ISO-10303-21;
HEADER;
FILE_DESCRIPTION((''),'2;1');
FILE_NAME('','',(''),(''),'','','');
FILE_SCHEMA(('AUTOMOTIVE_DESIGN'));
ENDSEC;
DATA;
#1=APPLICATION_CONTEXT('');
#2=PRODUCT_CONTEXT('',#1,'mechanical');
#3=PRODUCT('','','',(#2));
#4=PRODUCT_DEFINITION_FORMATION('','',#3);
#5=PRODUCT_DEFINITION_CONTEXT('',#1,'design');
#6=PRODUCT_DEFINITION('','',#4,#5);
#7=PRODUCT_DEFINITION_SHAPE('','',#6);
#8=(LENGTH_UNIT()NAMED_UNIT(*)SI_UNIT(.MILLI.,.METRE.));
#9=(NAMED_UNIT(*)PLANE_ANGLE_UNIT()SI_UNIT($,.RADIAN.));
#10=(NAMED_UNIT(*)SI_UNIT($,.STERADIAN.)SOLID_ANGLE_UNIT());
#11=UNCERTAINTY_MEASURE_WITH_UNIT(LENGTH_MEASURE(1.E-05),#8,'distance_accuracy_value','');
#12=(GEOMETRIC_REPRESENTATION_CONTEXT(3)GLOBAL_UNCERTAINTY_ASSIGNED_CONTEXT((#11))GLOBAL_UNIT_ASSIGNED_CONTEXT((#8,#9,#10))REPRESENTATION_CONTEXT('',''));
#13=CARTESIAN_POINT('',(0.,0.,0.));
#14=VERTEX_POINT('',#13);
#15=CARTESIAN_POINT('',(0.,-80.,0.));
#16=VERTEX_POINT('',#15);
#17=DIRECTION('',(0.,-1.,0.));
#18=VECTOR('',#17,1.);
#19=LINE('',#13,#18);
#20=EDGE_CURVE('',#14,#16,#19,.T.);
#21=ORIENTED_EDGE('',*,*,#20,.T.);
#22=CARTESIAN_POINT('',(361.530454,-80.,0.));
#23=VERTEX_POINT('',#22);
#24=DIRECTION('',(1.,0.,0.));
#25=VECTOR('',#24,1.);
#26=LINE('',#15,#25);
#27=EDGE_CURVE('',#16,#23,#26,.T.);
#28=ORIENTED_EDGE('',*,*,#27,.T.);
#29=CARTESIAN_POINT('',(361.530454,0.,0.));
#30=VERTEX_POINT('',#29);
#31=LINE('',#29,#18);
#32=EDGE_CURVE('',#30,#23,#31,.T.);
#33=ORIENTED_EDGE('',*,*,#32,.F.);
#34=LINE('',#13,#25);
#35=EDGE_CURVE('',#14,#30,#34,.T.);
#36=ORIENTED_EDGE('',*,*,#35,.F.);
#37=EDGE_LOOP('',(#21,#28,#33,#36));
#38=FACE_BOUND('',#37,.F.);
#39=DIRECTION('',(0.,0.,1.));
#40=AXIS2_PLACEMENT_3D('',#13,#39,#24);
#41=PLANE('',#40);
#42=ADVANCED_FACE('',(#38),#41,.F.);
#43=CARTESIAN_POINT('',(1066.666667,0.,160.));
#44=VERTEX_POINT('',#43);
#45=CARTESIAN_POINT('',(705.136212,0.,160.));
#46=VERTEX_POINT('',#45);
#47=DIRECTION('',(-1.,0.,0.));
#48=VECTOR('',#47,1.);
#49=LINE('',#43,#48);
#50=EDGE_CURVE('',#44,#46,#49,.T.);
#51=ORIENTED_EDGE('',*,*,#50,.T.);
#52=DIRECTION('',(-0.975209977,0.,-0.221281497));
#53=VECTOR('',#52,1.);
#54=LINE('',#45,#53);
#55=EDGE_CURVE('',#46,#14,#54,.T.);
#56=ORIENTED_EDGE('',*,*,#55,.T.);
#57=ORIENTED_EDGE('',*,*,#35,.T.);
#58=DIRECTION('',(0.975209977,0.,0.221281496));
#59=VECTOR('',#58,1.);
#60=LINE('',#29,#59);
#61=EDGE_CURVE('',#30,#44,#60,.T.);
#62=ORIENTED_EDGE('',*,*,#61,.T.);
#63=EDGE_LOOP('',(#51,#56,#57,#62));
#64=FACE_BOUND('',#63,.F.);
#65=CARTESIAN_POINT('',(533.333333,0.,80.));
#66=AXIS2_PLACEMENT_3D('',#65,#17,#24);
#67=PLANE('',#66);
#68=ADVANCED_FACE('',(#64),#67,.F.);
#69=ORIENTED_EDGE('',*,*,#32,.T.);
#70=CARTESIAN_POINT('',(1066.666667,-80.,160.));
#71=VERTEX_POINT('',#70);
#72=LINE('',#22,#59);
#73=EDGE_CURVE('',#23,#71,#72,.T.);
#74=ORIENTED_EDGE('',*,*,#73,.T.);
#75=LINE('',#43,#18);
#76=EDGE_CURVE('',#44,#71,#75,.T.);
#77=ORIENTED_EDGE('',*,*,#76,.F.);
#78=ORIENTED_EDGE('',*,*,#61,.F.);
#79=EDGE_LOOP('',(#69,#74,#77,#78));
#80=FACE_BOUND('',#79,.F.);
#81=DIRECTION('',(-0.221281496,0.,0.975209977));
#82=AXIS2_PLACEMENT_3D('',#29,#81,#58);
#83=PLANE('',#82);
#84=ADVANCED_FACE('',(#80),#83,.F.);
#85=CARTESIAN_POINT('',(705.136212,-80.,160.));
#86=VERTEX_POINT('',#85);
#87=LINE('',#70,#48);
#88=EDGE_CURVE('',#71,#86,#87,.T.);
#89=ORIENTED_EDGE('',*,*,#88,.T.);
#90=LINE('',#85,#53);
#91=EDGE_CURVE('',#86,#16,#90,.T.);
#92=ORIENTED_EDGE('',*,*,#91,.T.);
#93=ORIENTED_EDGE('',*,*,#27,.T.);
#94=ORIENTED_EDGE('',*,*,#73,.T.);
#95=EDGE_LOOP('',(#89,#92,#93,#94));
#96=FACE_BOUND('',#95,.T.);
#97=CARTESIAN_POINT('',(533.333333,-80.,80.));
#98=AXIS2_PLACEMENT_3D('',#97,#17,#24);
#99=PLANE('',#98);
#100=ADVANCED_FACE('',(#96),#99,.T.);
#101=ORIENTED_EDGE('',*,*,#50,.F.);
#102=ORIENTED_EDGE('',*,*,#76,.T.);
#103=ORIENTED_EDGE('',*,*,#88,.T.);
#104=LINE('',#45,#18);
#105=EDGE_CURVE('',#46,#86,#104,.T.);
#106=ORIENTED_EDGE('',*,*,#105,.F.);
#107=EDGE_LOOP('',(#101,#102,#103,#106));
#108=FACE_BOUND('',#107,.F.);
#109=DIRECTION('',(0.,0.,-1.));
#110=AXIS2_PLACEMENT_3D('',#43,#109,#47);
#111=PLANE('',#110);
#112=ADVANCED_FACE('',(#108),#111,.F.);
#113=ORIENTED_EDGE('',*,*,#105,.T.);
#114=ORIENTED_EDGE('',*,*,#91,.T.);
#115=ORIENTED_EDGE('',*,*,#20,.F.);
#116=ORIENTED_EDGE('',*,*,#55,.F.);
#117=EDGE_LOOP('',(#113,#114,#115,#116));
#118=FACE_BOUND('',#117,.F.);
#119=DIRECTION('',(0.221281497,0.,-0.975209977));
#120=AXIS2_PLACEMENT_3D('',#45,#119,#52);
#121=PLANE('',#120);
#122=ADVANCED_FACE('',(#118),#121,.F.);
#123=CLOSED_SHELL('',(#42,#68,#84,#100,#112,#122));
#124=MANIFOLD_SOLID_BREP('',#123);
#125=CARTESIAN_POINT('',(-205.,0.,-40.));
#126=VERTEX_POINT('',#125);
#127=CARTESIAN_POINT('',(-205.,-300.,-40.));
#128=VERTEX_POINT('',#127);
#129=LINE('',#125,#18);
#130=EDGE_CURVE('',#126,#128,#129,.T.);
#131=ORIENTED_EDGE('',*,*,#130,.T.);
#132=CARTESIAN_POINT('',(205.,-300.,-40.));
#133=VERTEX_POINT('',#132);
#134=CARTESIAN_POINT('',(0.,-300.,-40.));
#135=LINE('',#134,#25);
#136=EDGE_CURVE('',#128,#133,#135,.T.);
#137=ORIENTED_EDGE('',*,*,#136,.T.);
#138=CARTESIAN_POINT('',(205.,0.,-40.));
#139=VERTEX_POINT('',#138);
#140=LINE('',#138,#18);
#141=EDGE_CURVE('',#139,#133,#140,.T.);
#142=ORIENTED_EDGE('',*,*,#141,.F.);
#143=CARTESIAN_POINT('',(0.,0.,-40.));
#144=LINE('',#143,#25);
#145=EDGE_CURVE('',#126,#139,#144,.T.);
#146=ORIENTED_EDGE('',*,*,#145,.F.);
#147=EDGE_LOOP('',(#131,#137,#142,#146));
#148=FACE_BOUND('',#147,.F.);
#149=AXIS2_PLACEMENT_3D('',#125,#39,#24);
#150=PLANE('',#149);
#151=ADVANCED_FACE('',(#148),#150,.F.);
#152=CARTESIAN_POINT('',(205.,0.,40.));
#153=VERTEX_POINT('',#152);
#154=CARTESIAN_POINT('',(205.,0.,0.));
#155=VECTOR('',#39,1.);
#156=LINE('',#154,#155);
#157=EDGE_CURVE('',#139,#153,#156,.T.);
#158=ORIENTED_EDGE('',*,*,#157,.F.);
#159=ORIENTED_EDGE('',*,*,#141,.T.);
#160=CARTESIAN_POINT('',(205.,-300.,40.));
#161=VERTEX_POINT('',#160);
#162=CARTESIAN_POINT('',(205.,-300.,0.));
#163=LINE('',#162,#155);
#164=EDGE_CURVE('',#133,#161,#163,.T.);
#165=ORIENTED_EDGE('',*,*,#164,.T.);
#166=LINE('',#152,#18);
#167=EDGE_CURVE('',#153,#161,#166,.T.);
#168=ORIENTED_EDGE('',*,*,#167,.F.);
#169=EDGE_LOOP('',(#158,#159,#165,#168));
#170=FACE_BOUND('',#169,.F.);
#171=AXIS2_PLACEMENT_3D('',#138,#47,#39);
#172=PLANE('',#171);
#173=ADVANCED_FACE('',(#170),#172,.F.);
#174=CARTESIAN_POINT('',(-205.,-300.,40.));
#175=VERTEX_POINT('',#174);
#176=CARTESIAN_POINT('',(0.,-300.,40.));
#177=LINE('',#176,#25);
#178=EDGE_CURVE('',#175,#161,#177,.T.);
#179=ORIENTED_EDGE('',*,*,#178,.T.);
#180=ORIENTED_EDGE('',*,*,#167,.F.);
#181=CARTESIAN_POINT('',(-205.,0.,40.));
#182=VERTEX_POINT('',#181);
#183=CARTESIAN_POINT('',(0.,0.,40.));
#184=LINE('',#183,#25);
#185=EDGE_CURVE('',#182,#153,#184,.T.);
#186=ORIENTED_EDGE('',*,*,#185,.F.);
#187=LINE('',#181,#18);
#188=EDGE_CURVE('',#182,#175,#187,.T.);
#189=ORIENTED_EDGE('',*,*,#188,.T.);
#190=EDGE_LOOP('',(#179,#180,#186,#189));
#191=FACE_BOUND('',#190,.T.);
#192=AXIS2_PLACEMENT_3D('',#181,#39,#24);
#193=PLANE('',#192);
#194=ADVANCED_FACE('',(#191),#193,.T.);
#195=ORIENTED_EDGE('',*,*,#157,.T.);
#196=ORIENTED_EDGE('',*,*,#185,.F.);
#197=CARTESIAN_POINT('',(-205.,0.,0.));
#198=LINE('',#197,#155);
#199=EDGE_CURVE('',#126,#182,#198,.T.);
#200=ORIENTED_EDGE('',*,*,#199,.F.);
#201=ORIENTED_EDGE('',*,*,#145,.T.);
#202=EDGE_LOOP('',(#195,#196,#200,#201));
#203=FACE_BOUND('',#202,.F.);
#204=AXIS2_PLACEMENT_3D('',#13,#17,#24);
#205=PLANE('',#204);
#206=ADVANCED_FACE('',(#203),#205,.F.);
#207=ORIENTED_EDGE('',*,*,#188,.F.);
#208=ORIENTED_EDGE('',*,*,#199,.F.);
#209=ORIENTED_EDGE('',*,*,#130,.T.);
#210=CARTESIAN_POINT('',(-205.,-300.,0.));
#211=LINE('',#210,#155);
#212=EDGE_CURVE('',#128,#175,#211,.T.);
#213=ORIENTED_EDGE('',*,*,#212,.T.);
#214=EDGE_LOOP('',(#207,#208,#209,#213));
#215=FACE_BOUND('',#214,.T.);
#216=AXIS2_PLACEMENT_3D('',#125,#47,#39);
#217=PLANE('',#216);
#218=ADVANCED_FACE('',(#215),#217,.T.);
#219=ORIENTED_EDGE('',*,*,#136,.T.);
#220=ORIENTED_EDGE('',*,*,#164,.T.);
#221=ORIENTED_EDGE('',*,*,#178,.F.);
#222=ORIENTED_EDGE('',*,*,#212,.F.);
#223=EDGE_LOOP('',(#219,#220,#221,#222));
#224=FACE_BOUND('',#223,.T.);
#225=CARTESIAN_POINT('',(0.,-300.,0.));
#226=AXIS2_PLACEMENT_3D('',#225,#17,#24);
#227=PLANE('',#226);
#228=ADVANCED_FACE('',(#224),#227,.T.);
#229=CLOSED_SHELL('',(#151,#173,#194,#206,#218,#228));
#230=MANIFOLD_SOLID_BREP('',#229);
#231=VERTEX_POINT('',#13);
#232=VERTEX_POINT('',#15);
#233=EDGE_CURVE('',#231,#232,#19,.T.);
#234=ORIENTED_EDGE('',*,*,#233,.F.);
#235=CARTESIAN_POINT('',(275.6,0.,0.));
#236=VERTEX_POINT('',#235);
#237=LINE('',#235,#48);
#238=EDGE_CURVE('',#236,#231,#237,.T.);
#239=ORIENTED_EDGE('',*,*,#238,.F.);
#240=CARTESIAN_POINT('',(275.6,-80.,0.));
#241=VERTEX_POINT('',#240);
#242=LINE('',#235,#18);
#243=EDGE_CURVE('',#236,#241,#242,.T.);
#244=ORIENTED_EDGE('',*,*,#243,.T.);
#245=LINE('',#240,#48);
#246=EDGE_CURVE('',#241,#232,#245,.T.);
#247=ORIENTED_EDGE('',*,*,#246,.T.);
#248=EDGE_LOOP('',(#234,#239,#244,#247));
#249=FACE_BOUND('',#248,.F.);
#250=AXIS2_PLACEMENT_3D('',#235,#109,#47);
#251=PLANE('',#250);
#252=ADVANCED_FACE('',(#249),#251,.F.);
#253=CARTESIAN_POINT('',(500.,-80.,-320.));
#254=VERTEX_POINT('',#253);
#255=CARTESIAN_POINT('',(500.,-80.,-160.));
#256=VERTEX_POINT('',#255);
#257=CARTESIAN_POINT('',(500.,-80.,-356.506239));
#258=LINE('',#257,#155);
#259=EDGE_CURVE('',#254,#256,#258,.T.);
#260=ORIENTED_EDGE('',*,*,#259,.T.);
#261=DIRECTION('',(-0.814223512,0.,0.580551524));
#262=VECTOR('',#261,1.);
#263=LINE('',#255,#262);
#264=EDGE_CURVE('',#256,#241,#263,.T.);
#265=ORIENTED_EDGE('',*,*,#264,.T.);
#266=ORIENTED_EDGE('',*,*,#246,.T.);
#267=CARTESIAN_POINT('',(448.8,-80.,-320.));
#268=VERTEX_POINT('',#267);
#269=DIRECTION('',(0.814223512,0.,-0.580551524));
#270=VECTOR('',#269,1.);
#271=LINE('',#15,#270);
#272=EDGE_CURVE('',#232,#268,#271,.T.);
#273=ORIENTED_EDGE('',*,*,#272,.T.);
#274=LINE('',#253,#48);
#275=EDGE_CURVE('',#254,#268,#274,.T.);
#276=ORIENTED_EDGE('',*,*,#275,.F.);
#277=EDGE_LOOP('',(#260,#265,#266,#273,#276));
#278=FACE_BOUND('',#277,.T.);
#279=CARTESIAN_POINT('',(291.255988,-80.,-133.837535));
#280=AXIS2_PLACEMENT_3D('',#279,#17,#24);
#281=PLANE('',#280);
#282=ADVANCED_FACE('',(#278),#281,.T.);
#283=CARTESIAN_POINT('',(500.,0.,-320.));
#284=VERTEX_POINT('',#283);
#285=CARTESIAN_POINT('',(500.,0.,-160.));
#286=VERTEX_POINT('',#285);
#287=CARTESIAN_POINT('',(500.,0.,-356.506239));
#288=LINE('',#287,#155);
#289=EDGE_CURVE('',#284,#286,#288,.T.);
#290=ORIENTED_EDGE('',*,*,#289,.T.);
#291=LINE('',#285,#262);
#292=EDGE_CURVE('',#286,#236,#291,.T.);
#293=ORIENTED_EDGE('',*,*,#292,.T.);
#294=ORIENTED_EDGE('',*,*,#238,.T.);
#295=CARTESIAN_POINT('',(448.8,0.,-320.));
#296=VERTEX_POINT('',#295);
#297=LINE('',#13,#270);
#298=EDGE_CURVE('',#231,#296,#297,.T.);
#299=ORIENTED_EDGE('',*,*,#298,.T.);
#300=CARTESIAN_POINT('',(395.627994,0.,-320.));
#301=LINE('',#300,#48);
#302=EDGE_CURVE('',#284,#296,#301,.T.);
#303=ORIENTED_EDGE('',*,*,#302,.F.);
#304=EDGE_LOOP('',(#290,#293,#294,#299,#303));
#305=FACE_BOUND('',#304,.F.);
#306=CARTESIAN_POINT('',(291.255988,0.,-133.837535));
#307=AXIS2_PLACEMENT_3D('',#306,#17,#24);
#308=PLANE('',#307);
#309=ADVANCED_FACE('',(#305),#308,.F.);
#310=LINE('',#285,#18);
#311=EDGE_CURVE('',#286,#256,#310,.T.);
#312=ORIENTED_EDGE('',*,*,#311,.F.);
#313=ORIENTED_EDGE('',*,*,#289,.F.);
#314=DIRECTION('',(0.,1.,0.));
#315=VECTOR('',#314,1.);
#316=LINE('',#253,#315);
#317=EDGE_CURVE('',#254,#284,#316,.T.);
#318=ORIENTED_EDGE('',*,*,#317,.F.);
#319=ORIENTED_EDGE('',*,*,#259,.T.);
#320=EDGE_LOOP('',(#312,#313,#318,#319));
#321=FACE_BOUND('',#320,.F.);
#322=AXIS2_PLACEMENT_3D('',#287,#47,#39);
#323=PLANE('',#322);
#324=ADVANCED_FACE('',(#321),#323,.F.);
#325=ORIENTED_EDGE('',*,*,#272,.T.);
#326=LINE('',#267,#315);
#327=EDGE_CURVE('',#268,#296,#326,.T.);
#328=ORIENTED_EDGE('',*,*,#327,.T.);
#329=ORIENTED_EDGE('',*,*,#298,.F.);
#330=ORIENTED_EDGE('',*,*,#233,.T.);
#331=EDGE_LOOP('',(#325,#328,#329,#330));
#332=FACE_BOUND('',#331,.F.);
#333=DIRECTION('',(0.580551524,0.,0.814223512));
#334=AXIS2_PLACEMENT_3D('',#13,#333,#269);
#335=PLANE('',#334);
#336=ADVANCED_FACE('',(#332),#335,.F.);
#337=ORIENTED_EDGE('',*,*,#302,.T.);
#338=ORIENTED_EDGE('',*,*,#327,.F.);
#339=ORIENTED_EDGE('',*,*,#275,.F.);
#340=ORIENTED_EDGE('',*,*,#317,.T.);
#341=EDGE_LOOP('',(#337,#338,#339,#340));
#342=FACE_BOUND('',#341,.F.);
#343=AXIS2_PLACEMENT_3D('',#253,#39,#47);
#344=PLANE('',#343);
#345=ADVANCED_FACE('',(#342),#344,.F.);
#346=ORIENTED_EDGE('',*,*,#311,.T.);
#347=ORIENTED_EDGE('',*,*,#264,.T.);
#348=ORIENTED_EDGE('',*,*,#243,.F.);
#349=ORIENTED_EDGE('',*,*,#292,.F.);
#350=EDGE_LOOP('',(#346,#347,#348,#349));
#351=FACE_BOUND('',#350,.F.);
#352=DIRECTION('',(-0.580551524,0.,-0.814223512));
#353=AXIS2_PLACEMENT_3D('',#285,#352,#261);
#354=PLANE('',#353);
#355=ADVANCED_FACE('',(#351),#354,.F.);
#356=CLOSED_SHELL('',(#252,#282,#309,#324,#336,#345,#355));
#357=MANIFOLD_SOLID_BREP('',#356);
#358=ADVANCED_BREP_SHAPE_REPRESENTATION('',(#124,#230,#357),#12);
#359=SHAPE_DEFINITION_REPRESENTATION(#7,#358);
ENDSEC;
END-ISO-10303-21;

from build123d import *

# Parameters (mm, degrees)
F1_DEPTH = 80
F3_DEPTH = 80.001
F5_DEPTH = 80
F6_W     = 410
F6_H     = 80
F7_DEPTH = 300


with BuildPart() as f1:
    # F0 (on Front) → F1 (new body)
    with BuildSketch(Plane.XZ):
        Polygon((275.6, 0), (0, 0), (500, -356.506239), (500, -160), align=None)
    extrude(amount=F1_DEPTH)

    # F2 (on face) → F3 (cut, through all)
    with BuildSketch(Plane.XZ.offset(80)):
        Polygon((500, -356.506239), (500, -320), (448.8, -320), align=None)
    extrude(amount=-F3_DEPTH, mode=Mode.SUBTRACT)


with BuildPart() as f5:
    # F4 (on Front) → F5 (new body)
    with BuildSketch(Plane.XZ):
        Polygon((705.136212, 160), (0, 0), (361.530454, 0), (1066.666667, 160), align=None)
    extrude(amount=F5_DEPTH)


with BuildPart() as f7:
    # F6 (on Front) → F7 (new body)
    with BuildSketch(Plane.XZ):
        Rectangle(F6_W, F6_H)
    extrude(amount=F7_DEPTH)


solid = Compound([f1.part, f5.part, f7.part])
